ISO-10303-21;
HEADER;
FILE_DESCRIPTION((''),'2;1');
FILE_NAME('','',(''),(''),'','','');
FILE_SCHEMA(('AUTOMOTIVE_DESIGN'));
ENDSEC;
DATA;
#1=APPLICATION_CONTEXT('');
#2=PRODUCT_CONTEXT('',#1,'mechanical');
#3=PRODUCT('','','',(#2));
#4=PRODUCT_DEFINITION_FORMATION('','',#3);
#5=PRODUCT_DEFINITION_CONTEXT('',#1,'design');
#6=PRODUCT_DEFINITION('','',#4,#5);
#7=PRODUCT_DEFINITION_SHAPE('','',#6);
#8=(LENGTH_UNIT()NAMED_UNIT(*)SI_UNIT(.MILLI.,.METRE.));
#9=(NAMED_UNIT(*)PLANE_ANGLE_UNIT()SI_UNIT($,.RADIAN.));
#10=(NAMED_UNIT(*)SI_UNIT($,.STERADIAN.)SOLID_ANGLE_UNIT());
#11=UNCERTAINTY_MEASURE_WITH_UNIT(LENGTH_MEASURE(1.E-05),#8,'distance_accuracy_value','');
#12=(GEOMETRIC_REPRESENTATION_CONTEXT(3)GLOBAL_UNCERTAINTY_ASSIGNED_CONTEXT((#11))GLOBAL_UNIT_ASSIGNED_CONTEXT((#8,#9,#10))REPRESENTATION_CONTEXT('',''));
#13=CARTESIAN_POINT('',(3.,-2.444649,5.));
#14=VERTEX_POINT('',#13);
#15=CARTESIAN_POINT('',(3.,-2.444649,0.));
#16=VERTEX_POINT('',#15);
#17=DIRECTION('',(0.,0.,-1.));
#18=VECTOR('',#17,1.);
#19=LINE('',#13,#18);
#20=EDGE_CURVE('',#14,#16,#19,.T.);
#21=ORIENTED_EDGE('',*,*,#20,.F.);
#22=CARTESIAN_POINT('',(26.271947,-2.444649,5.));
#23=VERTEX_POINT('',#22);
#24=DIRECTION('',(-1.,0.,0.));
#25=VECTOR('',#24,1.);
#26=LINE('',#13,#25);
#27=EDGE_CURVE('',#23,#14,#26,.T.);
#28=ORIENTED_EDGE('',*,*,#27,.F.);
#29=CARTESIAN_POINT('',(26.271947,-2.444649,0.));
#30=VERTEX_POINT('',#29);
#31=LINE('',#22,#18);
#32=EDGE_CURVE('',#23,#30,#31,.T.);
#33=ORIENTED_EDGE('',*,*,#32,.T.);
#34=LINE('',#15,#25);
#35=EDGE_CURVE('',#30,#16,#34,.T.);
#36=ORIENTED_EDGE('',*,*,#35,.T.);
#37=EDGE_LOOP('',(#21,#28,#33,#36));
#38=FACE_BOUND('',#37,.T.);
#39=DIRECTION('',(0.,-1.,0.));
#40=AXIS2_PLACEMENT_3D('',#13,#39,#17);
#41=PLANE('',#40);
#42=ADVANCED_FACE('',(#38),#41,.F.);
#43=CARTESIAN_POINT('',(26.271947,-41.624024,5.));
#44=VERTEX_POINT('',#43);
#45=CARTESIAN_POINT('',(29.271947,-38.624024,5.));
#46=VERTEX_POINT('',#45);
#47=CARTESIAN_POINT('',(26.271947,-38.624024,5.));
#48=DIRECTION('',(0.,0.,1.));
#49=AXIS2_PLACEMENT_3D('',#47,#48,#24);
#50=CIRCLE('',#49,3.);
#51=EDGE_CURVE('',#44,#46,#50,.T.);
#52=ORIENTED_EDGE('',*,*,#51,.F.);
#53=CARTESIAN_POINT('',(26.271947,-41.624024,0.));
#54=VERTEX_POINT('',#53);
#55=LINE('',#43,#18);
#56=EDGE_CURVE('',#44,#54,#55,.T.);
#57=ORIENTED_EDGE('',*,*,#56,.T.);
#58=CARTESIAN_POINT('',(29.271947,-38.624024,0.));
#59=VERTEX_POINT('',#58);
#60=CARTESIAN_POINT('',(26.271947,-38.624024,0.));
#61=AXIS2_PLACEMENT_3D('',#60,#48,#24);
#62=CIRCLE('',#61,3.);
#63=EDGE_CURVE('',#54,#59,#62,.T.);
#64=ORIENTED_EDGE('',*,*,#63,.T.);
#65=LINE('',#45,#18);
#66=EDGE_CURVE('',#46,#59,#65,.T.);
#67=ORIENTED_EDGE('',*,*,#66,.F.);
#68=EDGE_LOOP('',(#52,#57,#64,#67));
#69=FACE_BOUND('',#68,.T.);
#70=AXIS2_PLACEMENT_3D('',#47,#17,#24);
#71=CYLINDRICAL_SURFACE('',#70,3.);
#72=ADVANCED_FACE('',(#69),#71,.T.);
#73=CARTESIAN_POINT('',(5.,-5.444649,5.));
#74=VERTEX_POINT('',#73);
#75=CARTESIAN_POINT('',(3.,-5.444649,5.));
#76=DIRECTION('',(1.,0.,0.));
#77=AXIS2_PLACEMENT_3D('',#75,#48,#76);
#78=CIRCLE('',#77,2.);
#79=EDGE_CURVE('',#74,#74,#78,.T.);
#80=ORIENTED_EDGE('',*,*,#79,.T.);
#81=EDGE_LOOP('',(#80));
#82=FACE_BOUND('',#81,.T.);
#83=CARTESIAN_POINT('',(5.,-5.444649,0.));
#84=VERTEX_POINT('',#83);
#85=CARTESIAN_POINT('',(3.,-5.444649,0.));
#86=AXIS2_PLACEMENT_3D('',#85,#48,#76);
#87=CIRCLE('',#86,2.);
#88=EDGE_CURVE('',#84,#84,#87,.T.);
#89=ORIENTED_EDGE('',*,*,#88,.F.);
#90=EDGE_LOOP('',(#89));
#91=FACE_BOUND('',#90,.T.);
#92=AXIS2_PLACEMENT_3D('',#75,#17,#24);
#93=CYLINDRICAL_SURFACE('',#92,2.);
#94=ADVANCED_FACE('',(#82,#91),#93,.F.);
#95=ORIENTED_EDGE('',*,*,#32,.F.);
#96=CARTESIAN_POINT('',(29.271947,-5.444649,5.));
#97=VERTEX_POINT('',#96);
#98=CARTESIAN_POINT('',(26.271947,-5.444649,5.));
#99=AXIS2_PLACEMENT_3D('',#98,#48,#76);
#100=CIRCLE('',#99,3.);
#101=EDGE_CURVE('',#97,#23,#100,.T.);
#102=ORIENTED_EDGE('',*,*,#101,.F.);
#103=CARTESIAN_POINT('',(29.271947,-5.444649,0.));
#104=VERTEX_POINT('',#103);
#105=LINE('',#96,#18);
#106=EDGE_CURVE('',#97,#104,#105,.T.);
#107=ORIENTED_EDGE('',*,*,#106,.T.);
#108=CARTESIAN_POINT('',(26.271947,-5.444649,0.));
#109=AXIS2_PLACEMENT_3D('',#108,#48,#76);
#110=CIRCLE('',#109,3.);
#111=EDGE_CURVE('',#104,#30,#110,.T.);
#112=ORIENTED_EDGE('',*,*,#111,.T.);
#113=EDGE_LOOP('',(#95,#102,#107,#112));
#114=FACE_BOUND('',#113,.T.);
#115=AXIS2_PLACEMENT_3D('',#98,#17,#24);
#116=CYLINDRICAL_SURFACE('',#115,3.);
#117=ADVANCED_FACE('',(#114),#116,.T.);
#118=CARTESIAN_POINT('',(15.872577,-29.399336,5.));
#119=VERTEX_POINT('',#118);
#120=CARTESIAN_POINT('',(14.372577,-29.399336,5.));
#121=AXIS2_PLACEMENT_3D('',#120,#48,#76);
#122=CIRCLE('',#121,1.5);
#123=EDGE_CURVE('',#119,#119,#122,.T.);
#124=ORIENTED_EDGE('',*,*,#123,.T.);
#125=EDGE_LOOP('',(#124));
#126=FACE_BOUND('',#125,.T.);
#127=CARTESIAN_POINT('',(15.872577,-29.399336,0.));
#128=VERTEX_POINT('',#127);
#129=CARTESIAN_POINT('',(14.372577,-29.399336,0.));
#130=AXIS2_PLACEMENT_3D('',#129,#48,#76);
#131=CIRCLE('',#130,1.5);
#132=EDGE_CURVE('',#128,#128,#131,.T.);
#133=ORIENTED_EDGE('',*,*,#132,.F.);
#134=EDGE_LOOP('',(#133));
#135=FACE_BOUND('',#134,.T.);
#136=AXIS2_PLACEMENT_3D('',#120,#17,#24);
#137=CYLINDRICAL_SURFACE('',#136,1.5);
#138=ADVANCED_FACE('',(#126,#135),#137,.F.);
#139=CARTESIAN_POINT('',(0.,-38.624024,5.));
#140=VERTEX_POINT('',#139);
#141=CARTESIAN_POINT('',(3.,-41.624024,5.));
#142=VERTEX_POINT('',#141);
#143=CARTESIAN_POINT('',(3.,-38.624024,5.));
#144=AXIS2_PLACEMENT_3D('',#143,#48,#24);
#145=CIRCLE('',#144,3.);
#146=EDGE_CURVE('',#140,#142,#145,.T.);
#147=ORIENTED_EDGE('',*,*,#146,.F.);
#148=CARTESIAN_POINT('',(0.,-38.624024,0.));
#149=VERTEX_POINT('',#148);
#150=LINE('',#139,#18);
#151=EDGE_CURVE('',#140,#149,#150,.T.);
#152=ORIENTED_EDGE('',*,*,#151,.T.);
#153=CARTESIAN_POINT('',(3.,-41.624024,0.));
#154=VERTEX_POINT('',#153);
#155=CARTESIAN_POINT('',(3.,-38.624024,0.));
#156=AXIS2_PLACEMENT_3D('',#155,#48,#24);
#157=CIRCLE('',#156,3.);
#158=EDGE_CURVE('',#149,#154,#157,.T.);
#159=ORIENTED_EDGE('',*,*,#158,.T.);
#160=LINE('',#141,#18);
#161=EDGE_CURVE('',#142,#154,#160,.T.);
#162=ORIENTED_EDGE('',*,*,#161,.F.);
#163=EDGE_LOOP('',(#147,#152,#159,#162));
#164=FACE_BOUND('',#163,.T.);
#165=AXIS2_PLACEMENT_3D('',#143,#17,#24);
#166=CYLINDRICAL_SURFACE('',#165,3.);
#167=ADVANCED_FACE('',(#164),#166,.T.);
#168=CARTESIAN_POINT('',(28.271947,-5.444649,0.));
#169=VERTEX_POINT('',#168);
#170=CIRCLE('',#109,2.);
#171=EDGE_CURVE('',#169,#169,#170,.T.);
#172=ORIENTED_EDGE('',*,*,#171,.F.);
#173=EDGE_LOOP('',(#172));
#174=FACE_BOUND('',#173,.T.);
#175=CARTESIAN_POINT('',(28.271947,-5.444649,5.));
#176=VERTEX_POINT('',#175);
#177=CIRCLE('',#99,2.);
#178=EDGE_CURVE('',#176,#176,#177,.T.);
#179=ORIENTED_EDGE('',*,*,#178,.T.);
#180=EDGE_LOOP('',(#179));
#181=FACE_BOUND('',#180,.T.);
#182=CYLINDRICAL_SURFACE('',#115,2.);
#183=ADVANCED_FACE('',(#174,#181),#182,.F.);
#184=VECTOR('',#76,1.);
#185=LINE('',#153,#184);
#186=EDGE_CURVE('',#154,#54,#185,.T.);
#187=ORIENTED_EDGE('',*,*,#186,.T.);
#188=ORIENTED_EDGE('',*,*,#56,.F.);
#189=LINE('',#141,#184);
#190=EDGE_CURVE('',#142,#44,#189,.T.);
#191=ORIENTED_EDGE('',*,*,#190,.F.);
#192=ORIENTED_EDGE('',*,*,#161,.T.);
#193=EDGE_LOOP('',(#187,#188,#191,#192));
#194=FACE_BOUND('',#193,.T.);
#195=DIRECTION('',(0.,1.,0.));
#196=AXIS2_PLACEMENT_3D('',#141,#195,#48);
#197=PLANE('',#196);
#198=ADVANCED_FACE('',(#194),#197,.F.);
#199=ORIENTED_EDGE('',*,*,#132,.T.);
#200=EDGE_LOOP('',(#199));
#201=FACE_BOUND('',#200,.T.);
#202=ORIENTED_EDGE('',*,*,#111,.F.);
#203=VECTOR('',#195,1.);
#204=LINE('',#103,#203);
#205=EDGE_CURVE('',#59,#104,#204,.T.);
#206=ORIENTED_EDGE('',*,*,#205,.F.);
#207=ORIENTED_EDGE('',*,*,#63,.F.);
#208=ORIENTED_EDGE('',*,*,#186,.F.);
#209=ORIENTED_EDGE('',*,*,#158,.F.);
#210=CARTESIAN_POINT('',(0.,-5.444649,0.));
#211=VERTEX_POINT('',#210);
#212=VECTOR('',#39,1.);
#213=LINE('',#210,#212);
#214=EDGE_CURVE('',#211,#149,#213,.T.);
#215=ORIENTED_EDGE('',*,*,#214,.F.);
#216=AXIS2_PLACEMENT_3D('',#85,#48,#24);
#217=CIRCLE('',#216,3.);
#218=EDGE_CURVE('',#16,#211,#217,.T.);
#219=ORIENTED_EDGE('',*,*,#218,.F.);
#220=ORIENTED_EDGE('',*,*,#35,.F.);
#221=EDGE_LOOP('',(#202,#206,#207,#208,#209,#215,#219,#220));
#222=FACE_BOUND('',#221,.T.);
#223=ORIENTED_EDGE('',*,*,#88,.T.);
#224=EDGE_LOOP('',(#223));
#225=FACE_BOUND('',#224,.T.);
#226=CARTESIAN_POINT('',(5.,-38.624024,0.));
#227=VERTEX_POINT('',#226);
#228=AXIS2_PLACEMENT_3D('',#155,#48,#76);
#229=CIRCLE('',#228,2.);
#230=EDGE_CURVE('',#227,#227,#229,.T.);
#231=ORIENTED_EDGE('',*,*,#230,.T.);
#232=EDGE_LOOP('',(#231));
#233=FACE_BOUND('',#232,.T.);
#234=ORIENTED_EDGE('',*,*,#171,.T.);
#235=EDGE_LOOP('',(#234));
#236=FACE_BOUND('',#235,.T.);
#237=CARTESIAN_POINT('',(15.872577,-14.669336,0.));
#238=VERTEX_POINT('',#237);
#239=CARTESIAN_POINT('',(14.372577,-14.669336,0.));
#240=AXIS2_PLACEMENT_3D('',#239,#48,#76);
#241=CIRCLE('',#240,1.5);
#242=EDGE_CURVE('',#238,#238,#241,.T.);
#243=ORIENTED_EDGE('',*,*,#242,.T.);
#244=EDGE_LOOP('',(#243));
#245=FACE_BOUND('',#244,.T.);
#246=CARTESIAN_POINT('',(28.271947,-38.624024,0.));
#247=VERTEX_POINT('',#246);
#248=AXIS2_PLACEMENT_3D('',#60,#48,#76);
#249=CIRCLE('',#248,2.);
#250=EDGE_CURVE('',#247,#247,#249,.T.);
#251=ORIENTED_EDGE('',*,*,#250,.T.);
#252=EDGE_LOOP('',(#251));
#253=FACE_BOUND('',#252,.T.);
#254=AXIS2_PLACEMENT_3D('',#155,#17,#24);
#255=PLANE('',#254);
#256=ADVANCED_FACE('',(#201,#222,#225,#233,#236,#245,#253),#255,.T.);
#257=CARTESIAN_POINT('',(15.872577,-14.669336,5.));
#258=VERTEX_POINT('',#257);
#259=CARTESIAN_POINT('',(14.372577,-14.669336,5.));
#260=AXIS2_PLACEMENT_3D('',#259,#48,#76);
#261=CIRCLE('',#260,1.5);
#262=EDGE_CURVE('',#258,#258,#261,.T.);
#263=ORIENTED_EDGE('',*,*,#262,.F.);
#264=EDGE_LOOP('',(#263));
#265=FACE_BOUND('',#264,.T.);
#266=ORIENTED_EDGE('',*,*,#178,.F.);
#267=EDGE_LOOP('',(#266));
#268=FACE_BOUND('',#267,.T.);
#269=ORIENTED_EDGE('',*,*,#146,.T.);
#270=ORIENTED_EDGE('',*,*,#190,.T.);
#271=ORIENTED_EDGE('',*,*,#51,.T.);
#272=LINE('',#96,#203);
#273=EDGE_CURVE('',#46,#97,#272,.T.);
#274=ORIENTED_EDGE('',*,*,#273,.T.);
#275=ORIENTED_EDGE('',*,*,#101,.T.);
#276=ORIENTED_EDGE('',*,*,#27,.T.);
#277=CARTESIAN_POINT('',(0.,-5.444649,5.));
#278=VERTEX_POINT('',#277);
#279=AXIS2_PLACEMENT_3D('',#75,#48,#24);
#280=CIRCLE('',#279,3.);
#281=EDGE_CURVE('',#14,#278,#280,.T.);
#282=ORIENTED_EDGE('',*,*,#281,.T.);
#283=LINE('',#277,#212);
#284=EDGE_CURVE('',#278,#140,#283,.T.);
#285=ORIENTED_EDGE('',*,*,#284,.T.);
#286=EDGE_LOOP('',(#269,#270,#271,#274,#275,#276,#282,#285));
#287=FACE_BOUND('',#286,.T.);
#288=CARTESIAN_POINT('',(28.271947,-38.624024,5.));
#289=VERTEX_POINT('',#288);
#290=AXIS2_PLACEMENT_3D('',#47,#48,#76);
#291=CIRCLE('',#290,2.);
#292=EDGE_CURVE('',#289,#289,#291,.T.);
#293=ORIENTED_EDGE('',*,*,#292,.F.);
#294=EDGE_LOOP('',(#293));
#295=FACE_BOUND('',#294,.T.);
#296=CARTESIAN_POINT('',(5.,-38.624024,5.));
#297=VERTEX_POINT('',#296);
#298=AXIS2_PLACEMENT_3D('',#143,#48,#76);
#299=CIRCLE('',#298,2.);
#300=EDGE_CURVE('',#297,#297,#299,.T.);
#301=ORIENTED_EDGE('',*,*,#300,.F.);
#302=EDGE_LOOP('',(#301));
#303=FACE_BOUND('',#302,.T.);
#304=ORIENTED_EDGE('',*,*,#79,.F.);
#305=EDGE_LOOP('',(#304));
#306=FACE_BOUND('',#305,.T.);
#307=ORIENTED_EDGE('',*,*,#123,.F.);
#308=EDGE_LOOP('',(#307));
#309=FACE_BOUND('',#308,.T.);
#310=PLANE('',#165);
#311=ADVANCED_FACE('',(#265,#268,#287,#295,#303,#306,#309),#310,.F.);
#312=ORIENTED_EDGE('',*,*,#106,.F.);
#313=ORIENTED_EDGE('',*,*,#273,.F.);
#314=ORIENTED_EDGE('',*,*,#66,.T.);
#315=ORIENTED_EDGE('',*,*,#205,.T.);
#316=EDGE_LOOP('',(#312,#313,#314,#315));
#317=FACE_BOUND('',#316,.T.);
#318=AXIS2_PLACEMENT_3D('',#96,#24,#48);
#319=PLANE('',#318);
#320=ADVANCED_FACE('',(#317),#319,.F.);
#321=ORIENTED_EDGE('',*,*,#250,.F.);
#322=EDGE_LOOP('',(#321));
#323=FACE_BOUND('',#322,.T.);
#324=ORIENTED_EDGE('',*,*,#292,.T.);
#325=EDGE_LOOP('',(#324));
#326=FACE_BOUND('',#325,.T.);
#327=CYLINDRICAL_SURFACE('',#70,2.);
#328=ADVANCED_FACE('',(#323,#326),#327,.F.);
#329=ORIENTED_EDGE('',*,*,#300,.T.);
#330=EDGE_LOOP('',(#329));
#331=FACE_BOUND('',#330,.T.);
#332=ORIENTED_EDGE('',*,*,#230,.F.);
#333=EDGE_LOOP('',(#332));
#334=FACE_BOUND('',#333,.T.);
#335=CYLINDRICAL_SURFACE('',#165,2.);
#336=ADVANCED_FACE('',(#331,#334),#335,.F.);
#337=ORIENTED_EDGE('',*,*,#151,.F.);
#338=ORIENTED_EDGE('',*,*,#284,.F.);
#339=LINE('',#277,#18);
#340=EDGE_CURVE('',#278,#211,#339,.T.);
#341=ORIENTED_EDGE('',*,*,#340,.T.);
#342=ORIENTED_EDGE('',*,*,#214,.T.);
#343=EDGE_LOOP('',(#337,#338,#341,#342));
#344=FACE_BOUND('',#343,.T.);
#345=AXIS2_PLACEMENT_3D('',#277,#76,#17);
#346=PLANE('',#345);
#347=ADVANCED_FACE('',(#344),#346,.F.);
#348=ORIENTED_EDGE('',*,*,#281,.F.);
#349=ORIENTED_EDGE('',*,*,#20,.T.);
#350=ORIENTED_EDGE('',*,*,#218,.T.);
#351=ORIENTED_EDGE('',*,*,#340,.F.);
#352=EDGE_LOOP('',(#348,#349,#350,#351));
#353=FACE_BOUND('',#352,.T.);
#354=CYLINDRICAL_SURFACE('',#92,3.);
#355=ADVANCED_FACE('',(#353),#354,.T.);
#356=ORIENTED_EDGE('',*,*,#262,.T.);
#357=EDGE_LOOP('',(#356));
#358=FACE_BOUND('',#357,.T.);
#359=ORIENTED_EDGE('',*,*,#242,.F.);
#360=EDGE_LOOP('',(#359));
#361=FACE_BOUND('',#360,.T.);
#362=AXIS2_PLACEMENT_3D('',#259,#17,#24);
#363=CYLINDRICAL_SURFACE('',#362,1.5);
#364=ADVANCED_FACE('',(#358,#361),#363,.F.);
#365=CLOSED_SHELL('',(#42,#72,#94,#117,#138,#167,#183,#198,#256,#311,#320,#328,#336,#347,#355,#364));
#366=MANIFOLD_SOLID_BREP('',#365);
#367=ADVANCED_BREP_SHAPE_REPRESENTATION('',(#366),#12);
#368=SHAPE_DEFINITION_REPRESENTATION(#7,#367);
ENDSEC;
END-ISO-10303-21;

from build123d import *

# Parameters (mm, degrees)
ESQUISSE1_R        = 1.5
ESQUISSE1_R_2      = 2
BOSS_EXTRU_1_DEPTH = 5


with BuildPart() as part:
    # Esquisse1 → Boss.-Extru.1 (new body)
    with BuildSketch(Plane.XY):
        with BuildLine():
            Line((3, -2.444648676), (26.271947053, -2.444648676))
            ThreePointArc((26.271947053, -2.444648676), (28.393267396, -3.323328333), (29.271947053, -5.444648676))
            Line((29.271947053, -5.444648676), (29.271947053, -38.624023962))
            ThreePointArc((29.271947053, -38.624023962), (28.393267396, -40.745344306), (26.271947053, -41.624023962))
            Line((26.271947053, -41.624023962), (3, -41.624023962))
            ThreePointArc((3, -41.624023962), (0.878679656, -40.745344306), (0, -38.624023962))
            Line((0, -38.624023962), (0, -5.444648676))
            ThreePointArc((0, -5.444648676), (0.878679656, -3.323328333), (3, -2.444648676))
        make_face()
        with Locations((14.372577417, -14.669336319)):
            Circle(ESQUISSE1_R, mode=Mode.SUBTRACT)
        with Locations((14.372577417, -29.399336319)):
            Circle(ESQUISSE1_R, mode=Mode.SUBTRACT)
        with Locations((3, -5.444648676)):
            Circle(ESQUISSE1_R_2, mode=Mode.SUBTRACT)
        with Locations((26.271947053, -5.444648676)):
            Circle(ESQUISSE1_R_2, mode=Mode.SUBTRACT)
        with Locations((3, -38.624023962)):
            Circle(ESQUISSE1_R_2, mode=Mode.SUBTRACT)
        with Locations((26.271947053, -38.624023962)):
            Circle(ESQUISSE1_R_2, mode=Mode.SUBTRACT)
    extrude(amount=BOSS_EXTRU_1_DEPTH)


solid = part.part
